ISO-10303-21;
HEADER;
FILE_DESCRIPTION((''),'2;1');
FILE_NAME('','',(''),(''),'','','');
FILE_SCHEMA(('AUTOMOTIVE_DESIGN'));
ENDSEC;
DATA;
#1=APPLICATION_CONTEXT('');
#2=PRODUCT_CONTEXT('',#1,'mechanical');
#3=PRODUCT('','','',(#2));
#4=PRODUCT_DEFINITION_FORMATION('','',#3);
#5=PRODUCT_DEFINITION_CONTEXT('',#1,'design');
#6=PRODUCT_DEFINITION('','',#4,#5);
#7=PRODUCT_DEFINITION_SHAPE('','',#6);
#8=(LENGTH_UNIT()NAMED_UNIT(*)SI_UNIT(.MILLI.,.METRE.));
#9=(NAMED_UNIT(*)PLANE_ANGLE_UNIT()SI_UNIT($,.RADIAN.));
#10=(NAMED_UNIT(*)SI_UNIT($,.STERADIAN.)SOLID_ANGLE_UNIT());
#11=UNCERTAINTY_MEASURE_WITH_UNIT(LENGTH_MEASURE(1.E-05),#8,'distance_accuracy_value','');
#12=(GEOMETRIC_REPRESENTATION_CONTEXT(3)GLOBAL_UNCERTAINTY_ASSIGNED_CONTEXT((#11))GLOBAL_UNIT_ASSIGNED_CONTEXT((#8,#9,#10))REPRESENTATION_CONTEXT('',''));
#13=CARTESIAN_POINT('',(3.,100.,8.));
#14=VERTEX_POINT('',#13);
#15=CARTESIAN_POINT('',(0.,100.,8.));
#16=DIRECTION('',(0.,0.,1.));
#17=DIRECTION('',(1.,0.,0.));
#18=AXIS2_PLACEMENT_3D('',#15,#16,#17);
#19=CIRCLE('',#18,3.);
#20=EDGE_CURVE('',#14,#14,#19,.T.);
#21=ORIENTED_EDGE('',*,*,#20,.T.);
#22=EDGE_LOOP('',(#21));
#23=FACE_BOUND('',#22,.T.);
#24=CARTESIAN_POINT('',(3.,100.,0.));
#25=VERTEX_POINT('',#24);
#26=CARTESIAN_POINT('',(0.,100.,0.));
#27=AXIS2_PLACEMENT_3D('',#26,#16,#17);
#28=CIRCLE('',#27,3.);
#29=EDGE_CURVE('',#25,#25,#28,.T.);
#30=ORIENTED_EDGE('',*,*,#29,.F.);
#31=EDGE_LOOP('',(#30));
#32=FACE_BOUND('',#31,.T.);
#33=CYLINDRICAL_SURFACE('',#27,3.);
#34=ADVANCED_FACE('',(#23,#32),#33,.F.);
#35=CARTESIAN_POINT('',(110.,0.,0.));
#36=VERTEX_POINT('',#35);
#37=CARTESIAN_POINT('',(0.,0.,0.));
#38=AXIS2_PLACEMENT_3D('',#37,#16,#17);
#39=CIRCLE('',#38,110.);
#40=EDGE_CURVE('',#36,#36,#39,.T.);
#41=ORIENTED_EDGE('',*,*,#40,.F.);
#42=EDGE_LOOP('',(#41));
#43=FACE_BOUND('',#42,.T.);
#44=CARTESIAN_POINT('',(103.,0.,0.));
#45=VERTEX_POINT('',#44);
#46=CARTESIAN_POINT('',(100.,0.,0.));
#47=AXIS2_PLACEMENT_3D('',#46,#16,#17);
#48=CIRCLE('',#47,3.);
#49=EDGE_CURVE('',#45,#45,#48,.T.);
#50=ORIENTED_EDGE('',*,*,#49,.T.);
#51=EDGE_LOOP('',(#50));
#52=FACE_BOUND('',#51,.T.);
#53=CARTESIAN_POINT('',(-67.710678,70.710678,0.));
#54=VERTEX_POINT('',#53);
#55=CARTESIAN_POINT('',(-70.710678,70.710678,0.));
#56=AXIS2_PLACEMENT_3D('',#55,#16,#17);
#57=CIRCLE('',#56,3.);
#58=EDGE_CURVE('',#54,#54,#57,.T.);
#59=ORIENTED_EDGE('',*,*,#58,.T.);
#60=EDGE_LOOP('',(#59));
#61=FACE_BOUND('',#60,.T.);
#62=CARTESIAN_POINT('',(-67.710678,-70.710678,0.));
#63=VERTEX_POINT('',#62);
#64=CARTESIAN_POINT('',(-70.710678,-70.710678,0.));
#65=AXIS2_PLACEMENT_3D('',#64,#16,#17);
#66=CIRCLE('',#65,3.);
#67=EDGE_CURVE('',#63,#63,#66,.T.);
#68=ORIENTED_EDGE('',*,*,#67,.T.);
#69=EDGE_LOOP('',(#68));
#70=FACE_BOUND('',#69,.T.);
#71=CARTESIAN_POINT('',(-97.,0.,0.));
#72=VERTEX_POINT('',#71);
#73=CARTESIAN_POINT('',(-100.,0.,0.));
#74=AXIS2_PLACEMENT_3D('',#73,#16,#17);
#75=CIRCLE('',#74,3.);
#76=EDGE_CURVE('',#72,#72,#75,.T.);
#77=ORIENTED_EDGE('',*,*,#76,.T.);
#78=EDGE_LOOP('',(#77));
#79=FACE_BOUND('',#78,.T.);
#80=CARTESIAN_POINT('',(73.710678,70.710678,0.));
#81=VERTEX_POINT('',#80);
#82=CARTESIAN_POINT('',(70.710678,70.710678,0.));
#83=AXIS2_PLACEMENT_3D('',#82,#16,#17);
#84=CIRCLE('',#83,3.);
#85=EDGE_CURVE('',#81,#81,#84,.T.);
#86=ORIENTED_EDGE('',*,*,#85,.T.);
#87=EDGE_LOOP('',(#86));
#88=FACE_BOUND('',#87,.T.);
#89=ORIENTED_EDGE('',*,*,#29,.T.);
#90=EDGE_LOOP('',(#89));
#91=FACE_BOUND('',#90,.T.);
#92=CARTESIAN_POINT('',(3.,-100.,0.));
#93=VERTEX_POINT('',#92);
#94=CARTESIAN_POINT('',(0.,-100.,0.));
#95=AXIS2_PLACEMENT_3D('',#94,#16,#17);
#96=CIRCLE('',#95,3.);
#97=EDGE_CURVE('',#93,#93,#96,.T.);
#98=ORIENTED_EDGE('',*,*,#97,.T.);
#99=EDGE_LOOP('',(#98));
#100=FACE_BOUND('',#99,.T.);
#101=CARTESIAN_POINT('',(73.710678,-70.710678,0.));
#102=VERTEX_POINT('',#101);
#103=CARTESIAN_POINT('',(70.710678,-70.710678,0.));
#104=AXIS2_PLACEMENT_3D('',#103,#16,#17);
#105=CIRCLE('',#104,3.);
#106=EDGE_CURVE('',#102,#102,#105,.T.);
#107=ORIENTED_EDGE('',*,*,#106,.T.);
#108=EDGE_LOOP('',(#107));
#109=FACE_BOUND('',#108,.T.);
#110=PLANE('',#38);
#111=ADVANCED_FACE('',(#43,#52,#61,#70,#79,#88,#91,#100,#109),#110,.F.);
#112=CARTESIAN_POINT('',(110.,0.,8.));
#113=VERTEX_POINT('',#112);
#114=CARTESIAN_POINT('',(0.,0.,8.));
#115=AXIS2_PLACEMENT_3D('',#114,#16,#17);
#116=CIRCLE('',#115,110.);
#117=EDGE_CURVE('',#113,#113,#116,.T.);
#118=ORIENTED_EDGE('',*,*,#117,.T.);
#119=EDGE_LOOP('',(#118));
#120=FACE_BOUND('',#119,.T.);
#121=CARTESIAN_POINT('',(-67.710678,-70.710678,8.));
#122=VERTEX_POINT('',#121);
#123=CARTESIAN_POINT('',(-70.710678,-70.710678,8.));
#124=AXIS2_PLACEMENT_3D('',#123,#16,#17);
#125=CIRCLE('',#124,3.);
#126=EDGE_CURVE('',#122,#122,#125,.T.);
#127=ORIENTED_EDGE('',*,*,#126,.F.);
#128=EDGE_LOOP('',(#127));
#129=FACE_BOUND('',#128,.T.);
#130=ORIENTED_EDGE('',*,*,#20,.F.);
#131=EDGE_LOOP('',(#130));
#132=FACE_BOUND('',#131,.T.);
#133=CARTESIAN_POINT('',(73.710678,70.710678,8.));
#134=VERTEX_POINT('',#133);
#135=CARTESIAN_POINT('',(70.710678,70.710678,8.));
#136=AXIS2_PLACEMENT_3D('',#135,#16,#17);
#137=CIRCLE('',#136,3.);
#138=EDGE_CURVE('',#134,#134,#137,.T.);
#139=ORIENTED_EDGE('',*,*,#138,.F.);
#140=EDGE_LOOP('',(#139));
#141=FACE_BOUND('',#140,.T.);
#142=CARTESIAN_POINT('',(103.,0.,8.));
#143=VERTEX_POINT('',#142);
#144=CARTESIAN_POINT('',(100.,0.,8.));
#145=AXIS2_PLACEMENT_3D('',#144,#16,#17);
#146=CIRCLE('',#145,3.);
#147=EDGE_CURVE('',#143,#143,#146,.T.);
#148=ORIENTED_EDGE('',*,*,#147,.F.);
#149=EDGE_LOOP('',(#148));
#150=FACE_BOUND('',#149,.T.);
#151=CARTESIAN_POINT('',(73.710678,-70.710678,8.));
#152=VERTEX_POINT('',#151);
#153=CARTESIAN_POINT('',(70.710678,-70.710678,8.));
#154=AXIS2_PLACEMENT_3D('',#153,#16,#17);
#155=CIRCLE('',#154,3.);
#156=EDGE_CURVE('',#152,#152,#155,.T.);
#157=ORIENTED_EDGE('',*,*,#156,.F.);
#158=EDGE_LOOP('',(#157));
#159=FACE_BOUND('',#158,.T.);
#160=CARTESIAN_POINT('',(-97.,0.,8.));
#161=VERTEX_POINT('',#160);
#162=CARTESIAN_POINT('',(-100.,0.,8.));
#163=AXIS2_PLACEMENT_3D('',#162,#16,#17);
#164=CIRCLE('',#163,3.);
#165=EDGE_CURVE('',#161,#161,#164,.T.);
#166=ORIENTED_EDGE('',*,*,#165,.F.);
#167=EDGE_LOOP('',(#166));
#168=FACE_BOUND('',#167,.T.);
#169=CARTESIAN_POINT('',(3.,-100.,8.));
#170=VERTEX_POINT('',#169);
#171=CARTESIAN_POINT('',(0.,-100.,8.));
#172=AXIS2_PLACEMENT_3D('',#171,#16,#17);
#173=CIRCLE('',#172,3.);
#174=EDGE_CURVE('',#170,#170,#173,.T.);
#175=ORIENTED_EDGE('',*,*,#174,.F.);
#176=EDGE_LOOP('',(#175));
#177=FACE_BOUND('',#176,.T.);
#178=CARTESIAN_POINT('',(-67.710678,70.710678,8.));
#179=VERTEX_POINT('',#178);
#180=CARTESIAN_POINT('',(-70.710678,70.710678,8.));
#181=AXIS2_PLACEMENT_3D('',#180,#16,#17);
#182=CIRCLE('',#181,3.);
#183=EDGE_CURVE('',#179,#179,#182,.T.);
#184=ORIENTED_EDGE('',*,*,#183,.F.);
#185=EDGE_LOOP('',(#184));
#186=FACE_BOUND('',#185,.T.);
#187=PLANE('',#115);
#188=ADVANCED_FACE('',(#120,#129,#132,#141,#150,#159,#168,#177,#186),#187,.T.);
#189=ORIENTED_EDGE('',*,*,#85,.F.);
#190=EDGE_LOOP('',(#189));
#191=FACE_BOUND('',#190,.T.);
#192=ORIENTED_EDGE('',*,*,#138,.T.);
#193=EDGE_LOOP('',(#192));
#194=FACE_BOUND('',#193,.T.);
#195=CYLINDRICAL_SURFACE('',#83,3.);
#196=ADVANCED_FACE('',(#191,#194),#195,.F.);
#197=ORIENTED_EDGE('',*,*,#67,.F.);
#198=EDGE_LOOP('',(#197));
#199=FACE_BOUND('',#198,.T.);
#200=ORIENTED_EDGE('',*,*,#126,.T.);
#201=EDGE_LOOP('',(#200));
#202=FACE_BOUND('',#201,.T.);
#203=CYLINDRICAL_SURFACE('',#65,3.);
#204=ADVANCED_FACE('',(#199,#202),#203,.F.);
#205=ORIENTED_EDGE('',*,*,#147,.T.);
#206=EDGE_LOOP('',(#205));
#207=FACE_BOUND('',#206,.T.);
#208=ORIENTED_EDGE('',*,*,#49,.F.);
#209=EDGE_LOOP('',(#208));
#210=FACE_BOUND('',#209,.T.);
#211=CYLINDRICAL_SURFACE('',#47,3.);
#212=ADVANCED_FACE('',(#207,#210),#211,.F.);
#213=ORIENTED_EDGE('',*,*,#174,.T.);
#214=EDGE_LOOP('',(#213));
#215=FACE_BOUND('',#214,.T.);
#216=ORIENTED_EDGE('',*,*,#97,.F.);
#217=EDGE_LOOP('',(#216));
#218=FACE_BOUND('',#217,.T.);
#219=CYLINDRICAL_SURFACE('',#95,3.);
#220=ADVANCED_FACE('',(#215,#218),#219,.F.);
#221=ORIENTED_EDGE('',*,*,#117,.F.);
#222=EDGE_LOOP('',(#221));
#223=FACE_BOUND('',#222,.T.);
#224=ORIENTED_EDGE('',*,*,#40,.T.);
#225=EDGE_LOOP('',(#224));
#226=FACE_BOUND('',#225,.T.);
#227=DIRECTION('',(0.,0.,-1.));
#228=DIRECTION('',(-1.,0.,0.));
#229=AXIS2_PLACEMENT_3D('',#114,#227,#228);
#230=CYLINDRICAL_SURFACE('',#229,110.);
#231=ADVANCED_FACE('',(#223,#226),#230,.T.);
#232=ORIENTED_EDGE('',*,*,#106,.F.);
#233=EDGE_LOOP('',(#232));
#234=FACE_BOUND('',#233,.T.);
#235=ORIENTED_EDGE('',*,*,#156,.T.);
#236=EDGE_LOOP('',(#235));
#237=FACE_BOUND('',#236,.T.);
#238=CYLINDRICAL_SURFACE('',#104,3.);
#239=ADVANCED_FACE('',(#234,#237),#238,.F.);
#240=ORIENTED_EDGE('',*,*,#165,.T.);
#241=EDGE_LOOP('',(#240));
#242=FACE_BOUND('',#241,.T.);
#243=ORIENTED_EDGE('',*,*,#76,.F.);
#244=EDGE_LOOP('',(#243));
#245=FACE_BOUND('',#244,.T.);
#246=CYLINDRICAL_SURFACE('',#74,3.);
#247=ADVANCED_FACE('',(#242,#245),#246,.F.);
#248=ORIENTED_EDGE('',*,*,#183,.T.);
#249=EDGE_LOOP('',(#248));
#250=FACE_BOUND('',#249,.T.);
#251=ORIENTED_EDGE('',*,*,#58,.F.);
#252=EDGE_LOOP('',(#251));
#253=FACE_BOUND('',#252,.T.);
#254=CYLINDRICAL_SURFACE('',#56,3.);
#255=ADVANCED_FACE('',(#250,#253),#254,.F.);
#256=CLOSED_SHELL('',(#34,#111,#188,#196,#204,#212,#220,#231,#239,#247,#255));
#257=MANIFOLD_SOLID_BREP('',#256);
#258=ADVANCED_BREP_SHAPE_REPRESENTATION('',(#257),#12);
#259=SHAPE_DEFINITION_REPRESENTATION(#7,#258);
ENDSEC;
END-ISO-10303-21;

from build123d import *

# Parameters (mm, degrees)
SKETCH_1_R          = 110
EXTRUDE_1_DEPTH     = 8
SKETCH_2_R          = 3
CUT_EXTRUDE_1_DEPTH = 8


with BuildPart() as part:
    # 草图1 → 凸台-拉伸1 (new body)
    with BuildSketch(Plane.XY):
        Circle(SKETCH_1_R)
    extrude(amount=EXTRUDE_1_DEPTH)

    # 草图2 → 切除-拉伸1 (cut)
    with BuildSketch(Plane.XY.offset(8)):
        with Locations((0, 100)):
            Circle(SKETCH_2_R)
        with Locations((70.710678119, 70.710678119)):
            Circle(SKETCH_2_R)
        with Locations((100, 0)):
            Circle(SKETCH_2_R)
        with Locations((70.710678119, -70.710678119)):
            Circle(SKETCH_2_R)
        with Locations((0, -100)):
            Circle(SKETCH_2_R)
        with Locations((-70.710678119, -70.710678119)):
            Circle(SKETCH_2_R)
        with Locations((-100, 0)):
            Circle(SKETCH_2_R)
        with Locations((-70.710678119, 70.710678119)):
            Circle(SKETCH_2_R)
    extrude(amount=-CUT_EXTRUDE_1_DEPTH, mode=Mode.SUBTRACT)


solid = part.part
